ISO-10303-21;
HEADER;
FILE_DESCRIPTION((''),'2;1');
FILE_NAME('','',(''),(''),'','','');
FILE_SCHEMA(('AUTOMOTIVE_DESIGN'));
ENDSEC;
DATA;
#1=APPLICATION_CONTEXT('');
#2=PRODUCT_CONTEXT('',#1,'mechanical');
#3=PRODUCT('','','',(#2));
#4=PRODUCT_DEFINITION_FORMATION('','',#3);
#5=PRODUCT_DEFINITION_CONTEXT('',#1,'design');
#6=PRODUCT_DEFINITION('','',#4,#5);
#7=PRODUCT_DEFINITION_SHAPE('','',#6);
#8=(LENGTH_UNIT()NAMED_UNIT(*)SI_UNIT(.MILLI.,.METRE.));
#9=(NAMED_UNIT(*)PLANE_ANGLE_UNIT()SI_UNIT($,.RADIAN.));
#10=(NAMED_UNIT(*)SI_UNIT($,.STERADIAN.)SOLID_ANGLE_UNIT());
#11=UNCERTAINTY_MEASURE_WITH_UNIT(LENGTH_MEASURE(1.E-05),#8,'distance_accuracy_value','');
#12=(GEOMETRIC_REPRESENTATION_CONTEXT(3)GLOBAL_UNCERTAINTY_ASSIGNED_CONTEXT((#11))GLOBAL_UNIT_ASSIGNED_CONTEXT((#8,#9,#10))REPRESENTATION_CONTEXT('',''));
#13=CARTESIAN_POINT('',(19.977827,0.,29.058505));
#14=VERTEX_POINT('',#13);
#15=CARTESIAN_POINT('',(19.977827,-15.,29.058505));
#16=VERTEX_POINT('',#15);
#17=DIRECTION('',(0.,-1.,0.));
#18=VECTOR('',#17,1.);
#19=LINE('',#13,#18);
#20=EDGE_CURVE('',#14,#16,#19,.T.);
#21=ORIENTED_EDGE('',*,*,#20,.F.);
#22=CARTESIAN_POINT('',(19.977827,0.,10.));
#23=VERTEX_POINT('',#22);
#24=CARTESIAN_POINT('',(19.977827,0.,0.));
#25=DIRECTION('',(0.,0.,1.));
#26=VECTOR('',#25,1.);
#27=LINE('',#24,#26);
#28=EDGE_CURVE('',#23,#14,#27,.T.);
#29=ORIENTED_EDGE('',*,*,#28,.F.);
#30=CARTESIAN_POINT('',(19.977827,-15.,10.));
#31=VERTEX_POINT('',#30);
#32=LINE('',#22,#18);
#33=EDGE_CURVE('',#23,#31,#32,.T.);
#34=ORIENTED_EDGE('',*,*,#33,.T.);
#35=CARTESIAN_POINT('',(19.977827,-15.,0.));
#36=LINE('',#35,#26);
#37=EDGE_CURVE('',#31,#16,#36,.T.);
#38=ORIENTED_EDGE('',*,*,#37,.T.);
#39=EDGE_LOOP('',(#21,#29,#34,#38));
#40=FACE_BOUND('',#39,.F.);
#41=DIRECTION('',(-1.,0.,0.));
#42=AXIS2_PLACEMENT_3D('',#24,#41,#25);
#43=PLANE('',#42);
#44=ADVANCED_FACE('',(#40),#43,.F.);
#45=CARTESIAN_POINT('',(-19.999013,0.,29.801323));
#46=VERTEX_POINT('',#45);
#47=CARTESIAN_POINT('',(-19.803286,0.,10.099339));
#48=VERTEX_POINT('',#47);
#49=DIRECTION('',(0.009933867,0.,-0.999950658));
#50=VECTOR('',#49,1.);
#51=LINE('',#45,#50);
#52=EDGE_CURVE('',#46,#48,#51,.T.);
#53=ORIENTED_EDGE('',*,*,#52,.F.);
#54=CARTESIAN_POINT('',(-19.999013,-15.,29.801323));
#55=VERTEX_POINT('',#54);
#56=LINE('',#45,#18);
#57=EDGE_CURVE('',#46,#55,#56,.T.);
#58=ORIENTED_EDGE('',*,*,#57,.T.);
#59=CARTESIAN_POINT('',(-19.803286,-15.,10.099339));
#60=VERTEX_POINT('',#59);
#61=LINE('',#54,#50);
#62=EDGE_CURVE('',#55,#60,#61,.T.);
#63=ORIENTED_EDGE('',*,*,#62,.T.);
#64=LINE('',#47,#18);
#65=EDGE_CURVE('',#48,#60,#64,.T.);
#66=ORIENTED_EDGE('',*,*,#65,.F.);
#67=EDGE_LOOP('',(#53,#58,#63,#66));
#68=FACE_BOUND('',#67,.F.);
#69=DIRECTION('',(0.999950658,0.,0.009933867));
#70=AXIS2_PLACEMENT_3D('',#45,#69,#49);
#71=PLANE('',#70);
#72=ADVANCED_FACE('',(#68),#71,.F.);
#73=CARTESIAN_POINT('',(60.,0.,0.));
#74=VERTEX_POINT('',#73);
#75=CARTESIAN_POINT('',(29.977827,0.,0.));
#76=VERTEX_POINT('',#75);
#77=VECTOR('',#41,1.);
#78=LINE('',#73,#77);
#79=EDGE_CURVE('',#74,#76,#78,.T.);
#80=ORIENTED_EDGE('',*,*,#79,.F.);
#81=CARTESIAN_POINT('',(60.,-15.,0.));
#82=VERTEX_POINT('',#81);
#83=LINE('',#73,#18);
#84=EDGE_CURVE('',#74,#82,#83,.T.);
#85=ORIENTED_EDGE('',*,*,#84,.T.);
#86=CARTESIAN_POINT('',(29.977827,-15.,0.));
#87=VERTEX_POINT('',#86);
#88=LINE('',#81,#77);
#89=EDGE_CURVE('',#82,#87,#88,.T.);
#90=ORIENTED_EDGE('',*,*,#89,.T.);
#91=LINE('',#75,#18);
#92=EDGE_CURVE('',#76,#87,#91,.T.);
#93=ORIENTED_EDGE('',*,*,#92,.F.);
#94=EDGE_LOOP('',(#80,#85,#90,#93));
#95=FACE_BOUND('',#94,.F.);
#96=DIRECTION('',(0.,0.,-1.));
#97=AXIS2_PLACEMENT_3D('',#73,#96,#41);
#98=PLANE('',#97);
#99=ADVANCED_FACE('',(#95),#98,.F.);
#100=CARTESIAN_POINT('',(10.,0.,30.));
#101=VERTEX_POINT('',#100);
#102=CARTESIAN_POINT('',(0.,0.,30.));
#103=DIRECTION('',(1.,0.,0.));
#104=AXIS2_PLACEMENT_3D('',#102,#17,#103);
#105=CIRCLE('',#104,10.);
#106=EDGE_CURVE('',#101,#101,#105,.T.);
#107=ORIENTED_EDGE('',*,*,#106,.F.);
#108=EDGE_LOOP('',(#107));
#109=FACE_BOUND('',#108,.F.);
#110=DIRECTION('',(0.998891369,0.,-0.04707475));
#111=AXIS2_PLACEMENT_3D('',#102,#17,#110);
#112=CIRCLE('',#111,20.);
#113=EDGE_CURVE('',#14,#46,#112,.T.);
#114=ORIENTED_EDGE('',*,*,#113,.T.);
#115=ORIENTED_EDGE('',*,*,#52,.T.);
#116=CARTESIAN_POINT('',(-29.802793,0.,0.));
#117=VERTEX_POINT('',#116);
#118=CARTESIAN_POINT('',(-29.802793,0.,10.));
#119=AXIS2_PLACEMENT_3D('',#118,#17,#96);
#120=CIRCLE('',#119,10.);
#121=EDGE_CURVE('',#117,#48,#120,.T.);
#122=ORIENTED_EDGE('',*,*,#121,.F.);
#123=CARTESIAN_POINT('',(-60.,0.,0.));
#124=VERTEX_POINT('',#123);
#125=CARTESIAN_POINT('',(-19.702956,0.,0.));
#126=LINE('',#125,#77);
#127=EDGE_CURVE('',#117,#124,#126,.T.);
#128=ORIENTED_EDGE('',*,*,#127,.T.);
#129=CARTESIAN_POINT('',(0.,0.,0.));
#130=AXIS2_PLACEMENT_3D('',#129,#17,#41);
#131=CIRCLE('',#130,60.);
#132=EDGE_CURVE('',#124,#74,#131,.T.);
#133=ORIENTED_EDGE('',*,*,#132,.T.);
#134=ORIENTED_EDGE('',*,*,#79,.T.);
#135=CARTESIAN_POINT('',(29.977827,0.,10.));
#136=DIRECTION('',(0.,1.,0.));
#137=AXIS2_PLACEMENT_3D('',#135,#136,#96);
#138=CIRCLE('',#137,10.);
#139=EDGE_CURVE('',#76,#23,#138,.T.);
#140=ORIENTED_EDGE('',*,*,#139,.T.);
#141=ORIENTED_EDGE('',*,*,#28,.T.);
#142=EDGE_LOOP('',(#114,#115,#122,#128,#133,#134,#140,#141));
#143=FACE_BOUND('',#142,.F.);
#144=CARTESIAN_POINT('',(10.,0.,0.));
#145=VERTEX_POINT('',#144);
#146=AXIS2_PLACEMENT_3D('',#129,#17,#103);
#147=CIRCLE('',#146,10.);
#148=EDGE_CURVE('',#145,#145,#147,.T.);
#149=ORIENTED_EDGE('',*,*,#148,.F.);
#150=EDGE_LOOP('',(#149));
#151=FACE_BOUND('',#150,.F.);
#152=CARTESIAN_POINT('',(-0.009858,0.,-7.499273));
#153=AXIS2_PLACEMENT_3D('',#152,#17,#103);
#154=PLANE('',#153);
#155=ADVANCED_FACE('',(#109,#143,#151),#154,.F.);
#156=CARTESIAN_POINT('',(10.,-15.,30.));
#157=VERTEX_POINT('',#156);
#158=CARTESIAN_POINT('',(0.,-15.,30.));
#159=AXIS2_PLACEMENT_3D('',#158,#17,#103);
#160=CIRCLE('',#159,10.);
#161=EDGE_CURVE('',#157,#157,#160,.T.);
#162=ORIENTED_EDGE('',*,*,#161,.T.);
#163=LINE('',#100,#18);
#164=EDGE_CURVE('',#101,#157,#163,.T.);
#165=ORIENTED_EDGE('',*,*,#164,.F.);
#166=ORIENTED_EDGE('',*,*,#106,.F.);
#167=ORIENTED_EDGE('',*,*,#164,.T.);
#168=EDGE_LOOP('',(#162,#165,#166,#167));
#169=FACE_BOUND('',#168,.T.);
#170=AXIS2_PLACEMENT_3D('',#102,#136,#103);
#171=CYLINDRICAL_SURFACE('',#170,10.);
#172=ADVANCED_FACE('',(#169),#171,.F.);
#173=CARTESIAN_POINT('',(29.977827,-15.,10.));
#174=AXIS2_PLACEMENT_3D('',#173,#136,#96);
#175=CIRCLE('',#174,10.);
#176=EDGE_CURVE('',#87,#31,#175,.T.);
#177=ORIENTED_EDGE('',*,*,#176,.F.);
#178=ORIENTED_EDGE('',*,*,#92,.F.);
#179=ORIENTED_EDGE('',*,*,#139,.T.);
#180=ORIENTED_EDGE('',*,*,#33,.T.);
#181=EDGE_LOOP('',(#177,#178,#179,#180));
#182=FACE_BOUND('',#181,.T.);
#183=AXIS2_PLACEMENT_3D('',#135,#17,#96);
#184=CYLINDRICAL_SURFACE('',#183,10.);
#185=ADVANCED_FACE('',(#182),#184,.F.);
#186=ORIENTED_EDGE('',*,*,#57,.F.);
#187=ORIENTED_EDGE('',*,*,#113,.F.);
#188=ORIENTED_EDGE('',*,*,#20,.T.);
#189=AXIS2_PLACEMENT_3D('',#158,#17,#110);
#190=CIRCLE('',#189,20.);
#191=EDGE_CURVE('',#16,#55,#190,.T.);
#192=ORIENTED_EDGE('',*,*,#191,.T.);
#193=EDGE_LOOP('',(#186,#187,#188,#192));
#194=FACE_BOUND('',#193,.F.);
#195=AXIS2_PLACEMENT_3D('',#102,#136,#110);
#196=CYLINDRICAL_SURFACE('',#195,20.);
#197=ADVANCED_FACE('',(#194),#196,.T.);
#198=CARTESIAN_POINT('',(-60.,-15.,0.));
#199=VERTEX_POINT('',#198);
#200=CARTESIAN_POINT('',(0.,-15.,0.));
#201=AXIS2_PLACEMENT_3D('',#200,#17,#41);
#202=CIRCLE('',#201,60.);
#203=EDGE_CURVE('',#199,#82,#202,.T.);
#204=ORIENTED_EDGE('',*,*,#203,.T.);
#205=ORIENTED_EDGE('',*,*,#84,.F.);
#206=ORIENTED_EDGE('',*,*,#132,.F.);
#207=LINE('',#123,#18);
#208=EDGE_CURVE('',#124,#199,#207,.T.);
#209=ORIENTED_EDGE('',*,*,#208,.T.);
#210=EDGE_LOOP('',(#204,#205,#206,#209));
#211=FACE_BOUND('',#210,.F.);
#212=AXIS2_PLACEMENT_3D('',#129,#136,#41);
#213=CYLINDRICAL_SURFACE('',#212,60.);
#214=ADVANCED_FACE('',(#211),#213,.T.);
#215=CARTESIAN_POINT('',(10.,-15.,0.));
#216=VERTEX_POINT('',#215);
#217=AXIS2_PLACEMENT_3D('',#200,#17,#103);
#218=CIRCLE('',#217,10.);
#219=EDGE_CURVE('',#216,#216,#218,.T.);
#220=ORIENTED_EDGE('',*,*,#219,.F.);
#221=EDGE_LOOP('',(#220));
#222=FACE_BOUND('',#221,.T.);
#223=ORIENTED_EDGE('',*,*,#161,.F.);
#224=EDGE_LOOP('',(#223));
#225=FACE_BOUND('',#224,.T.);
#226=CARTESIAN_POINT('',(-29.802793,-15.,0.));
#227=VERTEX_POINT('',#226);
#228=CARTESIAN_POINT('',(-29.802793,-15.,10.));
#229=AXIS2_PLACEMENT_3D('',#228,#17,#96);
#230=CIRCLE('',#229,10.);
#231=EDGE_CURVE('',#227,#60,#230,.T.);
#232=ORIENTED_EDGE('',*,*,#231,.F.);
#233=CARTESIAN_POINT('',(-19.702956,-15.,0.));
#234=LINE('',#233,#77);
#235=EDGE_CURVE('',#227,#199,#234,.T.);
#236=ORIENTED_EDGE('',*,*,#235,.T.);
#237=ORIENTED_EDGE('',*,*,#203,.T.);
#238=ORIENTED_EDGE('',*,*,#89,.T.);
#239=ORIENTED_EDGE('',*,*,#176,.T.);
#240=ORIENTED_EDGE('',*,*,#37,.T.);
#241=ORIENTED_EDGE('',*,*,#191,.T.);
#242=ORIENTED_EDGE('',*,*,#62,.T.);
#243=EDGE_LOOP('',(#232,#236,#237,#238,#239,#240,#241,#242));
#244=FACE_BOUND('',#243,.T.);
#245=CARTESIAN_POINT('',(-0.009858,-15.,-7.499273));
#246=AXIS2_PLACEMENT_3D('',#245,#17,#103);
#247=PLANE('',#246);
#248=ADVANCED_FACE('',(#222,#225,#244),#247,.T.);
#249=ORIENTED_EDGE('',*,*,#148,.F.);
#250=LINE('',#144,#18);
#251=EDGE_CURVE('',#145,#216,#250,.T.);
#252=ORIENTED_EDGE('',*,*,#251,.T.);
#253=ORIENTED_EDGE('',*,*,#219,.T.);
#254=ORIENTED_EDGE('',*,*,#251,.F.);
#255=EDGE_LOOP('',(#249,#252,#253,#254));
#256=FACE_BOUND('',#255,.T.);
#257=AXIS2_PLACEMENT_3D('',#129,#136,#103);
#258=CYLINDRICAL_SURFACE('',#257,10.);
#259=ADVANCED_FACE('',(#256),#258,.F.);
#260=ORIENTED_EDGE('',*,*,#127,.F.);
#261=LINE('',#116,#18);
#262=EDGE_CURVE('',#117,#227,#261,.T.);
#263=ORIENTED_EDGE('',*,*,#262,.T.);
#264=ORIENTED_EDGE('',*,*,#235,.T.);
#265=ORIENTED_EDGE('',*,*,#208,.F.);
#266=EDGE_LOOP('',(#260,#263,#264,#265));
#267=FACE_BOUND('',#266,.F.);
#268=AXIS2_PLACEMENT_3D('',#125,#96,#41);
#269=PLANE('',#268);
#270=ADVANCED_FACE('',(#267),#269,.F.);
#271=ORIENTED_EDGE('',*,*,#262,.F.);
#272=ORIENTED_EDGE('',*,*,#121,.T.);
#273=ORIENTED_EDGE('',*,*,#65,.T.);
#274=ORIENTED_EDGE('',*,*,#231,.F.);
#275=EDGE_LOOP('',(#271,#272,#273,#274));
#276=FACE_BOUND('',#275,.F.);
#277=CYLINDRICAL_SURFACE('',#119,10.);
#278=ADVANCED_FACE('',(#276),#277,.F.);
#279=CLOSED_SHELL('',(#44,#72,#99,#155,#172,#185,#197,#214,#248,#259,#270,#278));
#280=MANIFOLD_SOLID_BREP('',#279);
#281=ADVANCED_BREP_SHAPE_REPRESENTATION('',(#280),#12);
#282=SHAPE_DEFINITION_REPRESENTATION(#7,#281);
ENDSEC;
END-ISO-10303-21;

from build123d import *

# Parameters (mm, degrees)
F0_R     = 10
F1_DEPTH = 15
F2_R     = 10
F3_R     = 10


with BuildPart() as f1:
    # F0 (on Front) → F1 (new body)
    with BuildSketch(Plane.XZ):
        with BuildLine():
            Line((-19.702956, 0), (-60, 0))
            ThreePointArc((-60, 0), (0, -60), (60, 0))
            Line((60, 0), (19.977827, 0))
            Line((19.977827, 0), (19.977827, 29.058505))
            ThreePointArc((19.977827, 29.058505), (0.37156, 49.996548), (-19.999013, 29.801323))
            Line((-19.999013, 29.801323), (-19.702956, 0))
        make_face()
        Circle(F0_R, mode=Mode.SUBTRACT)
        with Locations((0, 30)):
            Circle(F0_R, mode=Mode.SUBTRACT)
    extrude(amount=F1_DEPTH)

    # F2
    f2_edges = [f1.edges().sort_by_distance(p)[0] for p in [
        (19.977827, -7.5, 0),
    ]]
    fillet(f2_edges, radius=F2_R)

    # F3
    f3_edges = [f1.edges().sort_by_distance(p)[0] for p in [
        (-19.702956, -7.5, 0),
    ]]
    fillet(f3_edges, radius=F3_R)


solid = f1.part
